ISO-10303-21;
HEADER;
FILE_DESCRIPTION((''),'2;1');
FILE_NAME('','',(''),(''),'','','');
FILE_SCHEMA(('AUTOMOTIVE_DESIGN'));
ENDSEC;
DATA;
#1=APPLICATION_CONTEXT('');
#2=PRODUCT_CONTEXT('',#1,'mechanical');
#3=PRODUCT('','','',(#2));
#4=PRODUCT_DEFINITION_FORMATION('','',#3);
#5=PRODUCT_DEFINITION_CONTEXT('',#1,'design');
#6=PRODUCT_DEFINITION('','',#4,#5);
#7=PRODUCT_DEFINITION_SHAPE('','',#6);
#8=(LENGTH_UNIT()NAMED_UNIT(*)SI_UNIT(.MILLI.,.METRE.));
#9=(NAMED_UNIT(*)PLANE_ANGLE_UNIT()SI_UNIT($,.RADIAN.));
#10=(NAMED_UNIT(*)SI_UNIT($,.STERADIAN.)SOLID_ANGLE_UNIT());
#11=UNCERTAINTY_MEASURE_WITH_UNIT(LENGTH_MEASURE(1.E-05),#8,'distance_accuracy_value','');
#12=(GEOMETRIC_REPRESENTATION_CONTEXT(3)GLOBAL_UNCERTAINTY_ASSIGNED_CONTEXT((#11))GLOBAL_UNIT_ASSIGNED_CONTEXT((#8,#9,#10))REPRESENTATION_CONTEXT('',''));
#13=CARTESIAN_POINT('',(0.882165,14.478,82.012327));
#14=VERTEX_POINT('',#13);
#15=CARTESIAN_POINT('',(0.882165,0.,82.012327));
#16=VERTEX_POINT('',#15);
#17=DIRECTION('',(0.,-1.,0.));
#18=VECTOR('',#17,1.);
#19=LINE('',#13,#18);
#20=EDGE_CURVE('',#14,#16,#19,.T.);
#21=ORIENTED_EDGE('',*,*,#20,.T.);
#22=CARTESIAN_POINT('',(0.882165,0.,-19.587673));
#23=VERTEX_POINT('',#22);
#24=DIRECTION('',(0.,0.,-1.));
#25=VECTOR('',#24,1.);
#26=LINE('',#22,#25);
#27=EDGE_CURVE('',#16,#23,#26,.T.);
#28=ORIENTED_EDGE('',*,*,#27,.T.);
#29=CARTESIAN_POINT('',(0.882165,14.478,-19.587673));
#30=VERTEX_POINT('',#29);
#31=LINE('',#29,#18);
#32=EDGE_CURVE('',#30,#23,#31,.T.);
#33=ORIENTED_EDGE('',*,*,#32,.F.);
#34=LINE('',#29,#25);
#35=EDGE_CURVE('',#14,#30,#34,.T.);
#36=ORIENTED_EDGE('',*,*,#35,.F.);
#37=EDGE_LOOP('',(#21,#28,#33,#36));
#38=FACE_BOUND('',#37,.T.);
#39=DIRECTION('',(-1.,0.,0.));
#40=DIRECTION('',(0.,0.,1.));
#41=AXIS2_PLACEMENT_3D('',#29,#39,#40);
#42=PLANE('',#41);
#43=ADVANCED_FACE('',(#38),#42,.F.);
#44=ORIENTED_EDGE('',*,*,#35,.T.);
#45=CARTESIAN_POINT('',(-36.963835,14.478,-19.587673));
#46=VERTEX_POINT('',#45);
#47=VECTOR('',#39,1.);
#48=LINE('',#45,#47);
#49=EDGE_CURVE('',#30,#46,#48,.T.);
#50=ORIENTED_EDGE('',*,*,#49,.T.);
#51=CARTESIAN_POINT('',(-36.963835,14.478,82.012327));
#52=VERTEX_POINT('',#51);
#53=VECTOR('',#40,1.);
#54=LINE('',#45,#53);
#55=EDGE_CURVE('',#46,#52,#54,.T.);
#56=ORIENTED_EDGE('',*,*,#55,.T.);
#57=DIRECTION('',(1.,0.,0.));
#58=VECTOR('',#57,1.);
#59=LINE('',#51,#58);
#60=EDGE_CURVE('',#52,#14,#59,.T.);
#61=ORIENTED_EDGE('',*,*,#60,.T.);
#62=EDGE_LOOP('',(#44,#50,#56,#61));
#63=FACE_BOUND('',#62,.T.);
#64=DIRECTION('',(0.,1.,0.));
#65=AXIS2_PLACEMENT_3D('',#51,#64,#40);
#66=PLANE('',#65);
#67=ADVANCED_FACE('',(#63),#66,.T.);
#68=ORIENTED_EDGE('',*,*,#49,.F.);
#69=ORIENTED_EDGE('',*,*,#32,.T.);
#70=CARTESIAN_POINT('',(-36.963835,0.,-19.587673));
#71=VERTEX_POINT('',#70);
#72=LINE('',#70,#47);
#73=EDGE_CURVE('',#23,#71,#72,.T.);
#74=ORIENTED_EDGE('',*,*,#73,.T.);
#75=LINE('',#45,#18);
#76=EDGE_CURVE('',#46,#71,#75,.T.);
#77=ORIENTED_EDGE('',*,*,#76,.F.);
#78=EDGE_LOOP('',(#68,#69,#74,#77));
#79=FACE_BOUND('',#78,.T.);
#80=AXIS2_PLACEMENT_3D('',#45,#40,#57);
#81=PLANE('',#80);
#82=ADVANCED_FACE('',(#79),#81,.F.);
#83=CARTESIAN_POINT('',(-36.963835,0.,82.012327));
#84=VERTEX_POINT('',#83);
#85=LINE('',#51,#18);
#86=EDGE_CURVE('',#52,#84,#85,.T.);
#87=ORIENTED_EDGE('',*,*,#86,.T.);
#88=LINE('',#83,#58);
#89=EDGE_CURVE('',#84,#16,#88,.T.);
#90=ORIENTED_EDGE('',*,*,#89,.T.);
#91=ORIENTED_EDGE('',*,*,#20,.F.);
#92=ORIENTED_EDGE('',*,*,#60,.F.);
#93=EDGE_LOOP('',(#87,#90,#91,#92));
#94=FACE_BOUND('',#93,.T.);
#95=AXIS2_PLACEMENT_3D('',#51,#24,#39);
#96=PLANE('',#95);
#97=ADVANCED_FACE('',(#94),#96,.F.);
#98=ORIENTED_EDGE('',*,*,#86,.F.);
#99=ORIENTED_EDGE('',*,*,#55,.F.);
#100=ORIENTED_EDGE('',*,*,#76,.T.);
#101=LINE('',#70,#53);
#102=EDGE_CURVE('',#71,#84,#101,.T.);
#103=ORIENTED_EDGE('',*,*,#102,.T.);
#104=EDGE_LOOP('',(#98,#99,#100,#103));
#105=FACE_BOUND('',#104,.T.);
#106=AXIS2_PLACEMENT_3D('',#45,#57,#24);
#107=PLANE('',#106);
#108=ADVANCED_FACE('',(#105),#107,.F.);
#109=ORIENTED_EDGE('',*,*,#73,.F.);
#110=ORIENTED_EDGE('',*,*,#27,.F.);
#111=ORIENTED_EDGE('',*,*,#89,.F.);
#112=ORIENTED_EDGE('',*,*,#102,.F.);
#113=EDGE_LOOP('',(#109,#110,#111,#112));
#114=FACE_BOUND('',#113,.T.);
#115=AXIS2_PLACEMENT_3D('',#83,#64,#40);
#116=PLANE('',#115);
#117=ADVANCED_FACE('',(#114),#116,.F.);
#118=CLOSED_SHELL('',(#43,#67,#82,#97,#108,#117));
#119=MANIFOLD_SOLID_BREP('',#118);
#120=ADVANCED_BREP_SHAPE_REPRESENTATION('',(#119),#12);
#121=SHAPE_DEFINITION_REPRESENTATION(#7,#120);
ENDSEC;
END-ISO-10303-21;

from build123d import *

# Parameters (mm, degrees)
SKETCH1_W      = 37.846
SKETCH1_H      = 101.6
EXTRUDE1_DEPTH = 14.478


with BuildPart() as part:
    # Sketch1 → Extrude1 (new body)
    with BuildSketch(Plane(origin=(0, 0, 0), x_dir=(1, 0, 0), z_dir=(0, 1, 0))):
        with Locations((-18.040835045, -31.212326728)):
            Rectangle(SKETCH1_W, SKETCH1_H)
    extrude(amount=EXTRUDE1_DEPTH)


solid = part.part
